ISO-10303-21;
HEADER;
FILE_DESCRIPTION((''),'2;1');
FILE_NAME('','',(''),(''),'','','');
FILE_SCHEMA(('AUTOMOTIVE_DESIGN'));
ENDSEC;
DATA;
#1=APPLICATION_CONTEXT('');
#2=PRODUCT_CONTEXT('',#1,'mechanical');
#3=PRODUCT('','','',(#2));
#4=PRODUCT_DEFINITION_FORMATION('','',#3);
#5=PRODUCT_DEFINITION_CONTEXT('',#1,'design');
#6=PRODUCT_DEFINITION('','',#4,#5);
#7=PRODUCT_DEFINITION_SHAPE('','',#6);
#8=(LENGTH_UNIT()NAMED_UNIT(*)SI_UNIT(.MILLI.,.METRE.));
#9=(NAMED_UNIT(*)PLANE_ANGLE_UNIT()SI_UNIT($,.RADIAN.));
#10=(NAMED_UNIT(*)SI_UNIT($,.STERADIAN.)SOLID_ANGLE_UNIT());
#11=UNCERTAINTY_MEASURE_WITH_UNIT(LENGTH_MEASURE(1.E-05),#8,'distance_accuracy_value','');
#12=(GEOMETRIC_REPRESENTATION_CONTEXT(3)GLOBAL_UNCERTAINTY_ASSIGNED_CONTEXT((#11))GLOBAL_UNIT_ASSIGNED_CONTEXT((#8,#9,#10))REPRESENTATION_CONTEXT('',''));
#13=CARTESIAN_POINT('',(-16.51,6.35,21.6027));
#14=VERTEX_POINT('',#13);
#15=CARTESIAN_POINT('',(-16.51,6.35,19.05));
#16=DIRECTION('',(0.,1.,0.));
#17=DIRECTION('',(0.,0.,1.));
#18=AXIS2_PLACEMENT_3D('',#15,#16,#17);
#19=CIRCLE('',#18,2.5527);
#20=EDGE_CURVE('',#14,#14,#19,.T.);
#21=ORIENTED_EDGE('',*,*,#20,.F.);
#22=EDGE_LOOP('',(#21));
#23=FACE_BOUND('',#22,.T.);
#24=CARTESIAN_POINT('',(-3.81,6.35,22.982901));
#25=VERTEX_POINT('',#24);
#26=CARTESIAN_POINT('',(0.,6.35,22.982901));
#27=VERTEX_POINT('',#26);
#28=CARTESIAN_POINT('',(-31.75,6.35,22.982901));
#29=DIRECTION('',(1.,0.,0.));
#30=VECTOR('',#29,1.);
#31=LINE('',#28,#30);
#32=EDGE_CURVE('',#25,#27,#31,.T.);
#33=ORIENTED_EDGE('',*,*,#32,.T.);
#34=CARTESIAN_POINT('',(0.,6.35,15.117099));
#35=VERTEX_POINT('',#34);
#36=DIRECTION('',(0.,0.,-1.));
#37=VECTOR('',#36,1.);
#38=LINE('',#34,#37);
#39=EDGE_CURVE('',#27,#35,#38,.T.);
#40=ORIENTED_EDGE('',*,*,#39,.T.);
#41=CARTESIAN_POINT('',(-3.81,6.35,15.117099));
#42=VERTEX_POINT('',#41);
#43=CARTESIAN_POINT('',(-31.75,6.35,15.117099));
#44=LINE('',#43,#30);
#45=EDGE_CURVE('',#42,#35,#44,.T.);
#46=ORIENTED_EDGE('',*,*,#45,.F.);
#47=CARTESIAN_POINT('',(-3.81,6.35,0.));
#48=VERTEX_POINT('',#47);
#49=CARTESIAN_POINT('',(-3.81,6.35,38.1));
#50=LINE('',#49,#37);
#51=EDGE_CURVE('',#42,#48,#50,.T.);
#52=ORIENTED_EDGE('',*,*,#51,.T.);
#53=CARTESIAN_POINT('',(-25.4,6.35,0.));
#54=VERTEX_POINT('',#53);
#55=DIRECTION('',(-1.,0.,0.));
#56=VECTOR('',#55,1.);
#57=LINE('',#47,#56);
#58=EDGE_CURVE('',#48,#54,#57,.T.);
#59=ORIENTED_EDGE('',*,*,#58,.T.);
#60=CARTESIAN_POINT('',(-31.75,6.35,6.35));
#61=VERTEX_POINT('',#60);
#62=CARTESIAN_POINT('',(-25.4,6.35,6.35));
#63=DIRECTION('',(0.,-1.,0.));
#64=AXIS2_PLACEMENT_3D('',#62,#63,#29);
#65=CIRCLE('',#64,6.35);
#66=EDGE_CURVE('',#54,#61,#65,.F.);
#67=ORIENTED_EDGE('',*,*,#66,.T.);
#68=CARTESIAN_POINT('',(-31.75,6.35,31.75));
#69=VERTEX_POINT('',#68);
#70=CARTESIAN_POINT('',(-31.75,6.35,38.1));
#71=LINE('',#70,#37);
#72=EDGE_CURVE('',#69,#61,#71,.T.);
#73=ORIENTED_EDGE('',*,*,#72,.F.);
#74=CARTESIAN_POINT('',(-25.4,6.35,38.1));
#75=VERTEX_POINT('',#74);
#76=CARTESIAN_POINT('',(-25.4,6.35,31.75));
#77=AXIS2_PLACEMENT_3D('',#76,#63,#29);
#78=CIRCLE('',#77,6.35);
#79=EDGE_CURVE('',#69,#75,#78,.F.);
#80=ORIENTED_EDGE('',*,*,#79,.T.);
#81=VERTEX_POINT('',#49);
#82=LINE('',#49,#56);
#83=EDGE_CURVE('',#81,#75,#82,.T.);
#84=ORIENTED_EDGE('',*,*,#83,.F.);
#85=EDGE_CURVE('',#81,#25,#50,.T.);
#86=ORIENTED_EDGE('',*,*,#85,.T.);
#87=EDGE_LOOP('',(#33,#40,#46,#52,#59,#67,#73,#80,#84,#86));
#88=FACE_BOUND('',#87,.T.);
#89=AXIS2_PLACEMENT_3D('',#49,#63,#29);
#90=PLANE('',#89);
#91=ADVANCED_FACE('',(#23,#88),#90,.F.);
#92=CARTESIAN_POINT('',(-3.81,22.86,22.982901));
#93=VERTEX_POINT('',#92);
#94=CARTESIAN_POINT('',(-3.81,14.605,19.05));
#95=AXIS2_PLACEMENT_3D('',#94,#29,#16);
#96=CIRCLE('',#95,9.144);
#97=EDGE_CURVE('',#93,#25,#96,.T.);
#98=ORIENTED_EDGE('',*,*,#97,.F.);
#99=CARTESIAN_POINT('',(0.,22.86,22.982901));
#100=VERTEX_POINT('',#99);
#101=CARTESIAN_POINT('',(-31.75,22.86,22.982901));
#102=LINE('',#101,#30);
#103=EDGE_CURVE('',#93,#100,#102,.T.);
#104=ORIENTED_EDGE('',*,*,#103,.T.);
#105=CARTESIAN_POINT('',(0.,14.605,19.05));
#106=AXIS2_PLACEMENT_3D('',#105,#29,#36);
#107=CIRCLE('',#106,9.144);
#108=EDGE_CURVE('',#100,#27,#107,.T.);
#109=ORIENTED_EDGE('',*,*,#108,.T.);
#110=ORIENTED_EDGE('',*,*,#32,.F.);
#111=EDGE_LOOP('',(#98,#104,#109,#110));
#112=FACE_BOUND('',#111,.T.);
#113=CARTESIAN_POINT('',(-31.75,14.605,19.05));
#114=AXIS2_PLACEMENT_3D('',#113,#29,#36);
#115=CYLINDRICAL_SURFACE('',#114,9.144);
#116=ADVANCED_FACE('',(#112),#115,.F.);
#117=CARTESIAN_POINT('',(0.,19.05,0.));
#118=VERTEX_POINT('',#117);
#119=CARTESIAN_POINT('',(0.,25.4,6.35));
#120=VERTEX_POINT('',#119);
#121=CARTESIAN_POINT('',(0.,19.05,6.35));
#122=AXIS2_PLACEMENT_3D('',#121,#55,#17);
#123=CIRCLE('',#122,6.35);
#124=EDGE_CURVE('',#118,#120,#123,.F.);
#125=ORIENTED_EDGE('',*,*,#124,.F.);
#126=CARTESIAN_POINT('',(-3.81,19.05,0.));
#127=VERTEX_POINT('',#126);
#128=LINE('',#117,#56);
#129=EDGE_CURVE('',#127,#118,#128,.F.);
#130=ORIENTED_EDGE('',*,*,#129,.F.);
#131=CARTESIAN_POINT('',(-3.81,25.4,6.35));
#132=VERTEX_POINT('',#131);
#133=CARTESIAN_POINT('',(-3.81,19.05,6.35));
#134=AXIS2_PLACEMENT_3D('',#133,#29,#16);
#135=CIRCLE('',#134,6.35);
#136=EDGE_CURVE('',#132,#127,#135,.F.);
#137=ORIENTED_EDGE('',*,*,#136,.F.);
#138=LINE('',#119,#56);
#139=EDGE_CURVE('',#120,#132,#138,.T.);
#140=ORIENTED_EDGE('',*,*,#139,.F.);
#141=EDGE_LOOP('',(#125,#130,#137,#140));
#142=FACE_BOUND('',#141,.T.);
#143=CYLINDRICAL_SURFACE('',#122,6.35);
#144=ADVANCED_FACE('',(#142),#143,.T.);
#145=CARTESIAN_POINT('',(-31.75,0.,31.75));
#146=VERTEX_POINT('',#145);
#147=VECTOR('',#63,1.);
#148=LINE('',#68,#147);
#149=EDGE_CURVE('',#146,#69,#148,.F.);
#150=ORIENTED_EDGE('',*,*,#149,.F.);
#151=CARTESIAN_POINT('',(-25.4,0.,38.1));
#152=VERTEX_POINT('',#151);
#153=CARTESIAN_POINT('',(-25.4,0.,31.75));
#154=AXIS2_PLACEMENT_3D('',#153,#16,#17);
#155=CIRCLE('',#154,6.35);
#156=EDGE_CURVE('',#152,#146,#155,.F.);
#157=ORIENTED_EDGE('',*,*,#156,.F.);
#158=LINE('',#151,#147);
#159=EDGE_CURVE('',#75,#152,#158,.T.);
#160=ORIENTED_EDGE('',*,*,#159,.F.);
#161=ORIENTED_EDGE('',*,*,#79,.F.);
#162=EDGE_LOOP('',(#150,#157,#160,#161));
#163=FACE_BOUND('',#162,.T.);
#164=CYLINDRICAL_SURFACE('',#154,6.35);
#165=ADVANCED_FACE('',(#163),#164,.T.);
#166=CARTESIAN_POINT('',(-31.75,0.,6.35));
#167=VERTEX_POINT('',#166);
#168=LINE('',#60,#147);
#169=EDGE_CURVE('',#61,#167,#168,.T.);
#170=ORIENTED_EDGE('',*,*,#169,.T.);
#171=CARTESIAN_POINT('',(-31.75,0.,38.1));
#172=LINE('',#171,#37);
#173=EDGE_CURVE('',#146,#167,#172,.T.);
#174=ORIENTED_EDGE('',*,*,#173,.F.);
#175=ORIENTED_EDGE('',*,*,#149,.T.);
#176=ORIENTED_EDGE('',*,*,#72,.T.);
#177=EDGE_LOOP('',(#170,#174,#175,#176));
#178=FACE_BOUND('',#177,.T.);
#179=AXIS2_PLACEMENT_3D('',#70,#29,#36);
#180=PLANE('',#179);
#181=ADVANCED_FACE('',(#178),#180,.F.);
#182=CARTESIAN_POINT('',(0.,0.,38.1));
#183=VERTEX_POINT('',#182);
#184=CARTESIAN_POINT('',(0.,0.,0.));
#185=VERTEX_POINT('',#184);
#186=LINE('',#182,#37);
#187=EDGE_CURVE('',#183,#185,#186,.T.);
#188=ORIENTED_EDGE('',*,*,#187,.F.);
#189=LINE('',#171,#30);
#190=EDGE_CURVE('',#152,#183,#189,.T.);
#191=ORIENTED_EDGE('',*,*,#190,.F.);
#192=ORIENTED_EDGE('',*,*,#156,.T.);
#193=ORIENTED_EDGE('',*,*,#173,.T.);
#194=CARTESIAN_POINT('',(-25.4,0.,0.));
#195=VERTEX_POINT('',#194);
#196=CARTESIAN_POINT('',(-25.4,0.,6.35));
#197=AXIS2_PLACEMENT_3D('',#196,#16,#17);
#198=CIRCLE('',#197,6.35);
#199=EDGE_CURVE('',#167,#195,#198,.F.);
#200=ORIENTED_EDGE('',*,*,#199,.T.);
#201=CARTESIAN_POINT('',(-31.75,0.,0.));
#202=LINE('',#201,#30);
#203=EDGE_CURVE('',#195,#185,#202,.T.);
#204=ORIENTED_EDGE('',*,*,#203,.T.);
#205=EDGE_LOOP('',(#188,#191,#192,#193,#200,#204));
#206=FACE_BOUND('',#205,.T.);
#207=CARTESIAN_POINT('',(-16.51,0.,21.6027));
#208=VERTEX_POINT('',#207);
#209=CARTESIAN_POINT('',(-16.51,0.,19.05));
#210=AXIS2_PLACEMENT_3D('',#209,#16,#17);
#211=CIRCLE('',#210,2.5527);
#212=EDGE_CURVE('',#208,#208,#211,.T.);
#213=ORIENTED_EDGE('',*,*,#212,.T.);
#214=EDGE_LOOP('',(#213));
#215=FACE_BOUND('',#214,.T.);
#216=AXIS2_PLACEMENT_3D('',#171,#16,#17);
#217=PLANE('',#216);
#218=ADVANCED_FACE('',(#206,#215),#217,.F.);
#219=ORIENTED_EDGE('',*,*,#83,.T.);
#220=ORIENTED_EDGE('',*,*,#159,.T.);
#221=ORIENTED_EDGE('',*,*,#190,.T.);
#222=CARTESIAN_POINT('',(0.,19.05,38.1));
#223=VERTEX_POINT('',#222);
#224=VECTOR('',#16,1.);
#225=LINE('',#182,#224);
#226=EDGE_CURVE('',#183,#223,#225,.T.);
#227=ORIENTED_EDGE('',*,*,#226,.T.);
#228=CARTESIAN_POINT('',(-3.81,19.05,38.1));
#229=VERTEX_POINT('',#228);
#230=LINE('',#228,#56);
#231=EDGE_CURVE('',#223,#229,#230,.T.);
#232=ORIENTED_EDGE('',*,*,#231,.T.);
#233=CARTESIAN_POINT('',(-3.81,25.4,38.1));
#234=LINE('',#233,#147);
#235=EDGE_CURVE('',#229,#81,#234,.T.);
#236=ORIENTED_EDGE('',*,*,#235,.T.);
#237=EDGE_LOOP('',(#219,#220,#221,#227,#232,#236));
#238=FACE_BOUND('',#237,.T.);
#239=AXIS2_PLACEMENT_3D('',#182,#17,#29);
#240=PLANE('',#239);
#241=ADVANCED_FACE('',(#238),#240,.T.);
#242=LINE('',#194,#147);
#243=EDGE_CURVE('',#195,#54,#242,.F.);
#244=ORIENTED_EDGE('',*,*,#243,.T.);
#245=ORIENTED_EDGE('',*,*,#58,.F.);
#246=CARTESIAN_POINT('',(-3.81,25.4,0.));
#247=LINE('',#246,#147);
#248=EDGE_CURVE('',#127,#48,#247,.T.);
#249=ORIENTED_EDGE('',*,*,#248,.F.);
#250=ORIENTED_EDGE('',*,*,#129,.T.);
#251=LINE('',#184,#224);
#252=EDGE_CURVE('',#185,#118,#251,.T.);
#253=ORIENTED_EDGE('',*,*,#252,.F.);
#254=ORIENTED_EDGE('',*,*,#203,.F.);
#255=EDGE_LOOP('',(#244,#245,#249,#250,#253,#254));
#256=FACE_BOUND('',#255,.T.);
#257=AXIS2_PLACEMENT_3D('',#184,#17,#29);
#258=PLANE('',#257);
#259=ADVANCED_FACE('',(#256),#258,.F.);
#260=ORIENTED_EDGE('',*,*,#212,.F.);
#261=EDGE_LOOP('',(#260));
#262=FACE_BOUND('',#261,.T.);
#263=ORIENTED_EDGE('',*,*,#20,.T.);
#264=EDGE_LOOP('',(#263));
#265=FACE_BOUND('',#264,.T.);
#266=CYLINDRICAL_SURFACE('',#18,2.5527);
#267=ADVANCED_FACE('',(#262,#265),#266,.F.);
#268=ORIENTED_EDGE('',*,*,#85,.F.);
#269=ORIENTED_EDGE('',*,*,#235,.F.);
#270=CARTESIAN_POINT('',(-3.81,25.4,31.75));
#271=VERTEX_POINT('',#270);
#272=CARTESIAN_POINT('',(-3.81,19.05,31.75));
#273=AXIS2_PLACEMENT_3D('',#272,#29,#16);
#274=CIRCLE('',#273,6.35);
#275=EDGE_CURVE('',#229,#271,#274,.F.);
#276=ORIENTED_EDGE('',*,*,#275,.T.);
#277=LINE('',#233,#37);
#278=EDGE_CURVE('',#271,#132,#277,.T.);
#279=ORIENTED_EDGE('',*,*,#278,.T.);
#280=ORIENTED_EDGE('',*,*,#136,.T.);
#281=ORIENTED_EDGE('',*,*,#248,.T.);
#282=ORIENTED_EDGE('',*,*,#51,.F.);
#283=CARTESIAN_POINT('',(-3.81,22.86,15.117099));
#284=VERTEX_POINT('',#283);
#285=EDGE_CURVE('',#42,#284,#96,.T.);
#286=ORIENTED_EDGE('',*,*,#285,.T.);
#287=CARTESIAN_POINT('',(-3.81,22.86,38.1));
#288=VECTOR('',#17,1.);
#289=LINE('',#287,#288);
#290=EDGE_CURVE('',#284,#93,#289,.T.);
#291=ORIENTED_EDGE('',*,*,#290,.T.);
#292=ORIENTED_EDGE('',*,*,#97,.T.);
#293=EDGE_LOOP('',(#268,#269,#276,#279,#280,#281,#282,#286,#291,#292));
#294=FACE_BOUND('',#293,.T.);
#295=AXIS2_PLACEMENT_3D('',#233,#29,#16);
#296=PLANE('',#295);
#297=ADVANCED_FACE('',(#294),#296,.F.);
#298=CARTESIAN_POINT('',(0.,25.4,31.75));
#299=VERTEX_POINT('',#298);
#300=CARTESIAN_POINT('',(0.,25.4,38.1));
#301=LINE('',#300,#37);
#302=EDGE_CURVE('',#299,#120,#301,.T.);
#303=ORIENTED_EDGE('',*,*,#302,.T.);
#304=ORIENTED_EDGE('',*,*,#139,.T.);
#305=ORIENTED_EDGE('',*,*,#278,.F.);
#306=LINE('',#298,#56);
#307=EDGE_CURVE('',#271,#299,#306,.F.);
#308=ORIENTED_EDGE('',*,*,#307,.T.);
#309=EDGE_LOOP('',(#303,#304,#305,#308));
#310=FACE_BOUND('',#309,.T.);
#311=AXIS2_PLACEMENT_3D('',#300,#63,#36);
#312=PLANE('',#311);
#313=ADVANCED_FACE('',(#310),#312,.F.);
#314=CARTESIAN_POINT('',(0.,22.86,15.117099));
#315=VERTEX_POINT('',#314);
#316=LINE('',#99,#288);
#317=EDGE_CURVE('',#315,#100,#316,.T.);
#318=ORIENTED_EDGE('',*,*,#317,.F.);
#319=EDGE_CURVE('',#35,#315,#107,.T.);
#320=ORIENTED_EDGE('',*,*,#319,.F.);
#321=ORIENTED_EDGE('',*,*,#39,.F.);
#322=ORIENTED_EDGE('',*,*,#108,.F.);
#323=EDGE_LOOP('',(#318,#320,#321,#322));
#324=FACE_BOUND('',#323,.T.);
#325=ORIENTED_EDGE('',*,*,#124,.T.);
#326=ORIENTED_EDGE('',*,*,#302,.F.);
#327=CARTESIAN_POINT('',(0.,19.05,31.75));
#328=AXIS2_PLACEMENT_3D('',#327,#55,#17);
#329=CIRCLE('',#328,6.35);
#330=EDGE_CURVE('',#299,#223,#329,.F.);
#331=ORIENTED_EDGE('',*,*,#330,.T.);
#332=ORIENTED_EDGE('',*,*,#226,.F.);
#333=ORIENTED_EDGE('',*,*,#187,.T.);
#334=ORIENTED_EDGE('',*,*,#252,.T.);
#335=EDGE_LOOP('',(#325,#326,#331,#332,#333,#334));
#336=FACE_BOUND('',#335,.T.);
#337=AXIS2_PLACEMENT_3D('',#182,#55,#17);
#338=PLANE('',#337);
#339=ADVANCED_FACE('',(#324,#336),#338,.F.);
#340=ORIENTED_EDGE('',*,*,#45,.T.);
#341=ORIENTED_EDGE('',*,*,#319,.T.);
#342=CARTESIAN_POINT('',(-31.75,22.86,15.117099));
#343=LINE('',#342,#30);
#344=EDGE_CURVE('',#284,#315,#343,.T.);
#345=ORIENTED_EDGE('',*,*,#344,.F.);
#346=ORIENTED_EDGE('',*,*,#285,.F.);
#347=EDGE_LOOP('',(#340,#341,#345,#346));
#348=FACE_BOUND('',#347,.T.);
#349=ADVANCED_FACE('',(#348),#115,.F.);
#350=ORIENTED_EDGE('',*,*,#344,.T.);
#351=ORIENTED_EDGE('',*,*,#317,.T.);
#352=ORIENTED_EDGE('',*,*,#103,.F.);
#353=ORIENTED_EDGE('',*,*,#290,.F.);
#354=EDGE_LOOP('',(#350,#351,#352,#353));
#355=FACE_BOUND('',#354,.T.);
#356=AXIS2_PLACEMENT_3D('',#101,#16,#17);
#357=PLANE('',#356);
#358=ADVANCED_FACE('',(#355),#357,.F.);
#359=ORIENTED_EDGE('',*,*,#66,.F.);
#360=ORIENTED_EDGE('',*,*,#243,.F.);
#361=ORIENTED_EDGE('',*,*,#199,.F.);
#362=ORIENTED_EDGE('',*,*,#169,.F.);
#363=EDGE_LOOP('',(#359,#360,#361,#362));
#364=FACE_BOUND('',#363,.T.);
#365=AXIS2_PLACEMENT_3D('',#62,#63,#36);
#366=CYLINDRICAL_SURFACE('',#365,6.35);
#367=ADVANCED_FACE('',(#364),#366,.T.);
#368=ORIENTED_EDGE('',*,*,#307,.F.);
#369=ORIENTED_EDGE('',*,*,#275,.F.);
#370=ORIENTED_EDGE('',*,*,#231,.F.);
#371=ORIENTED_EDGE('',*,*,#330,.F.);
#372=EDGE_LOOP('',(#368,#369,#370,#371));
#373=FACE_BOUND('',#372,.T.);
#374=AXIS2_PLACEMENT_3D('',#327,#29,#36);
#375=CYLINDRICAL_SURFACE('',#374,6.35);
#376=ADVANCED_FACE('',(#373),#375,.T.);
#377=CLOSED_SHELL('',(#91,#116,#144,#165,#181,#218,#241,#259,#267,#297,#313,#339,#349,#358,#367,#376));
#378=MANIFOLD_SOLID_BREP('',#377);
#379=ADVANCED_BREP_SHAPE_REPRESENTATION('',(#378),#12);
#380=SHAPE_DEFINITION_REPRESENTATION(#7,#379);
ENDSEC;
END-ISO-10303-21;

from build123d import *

# Parameters (mm, degrees)
BOSS_EXTRUDE1_DEPTH     = 38.1
F_1_4_20_TAPPED_HOLE1_D = 5.1054
CUT_EXTRUDE1_DEPTH      = 32.75
FILLET1_R               = 6.35


with BuildPart() as part:
    # Sketch1 → Boss-Extrude1 (new body)
    with BuildSketch(Plane.XY):
        Polygon((0, 0), (0, 25.4), (-3.81, 25.4), (-3.81, 6.35), (-31.75, 6.35), (-31.75, 0), align=None)
    extrude(amount=BOSS_EXTRUDE1_DEPTH)

    # 1/4-20 Tapped Hole1 (through all)
    with Locations(Plane(origin=(0, 6.35, 0), x_dir=(1, 0, 0), z_dir=(0, 1, 0))):
        with Locations((-16.51, -19.05)):
            Hole(F_1_4_20_TAPPED_HOLE1_D / 2)

    # Sketch4 → Cut-Extrude1 (cut, through all)
    with BuildSketch(Plane(origin=(0, 0, 0), x_dir=(0, 0, -1), z_dir=(1, 0, 0))):
        with BuildLine():
            Line((-22.982901092, 22.86), (-15.117098908, 22.86))
            ThreePointArc((-15.117098908, 22.86), (-9.906, 14.605), (-15.117098908, 6.35))
            Line((-15.117098908, 6.35), (-22.982901092, 6.35))
            ThreePointArc((-22.982901092, 6.35), (-28.194, 14.605), (-22.982901092, 22.86))
        make_face()
    extrude(amount=-CUT_EXTRUDE1_DEPTH, mode=Mode.SUBTRACT)

    # Fillet1
    fillet1_edges = [part.edges().sort_by_distance(p)[0] for p in [
        (-1.905, 25.4, 38.1),
        (-31.75, 3.175, 38.1),
        (-31.75, 3.175, 0),
        (-1.905, 25.4, 0),
    ]]
    fillet(fillet1_edges, radius=FILLET1_R)


solid = part.part
